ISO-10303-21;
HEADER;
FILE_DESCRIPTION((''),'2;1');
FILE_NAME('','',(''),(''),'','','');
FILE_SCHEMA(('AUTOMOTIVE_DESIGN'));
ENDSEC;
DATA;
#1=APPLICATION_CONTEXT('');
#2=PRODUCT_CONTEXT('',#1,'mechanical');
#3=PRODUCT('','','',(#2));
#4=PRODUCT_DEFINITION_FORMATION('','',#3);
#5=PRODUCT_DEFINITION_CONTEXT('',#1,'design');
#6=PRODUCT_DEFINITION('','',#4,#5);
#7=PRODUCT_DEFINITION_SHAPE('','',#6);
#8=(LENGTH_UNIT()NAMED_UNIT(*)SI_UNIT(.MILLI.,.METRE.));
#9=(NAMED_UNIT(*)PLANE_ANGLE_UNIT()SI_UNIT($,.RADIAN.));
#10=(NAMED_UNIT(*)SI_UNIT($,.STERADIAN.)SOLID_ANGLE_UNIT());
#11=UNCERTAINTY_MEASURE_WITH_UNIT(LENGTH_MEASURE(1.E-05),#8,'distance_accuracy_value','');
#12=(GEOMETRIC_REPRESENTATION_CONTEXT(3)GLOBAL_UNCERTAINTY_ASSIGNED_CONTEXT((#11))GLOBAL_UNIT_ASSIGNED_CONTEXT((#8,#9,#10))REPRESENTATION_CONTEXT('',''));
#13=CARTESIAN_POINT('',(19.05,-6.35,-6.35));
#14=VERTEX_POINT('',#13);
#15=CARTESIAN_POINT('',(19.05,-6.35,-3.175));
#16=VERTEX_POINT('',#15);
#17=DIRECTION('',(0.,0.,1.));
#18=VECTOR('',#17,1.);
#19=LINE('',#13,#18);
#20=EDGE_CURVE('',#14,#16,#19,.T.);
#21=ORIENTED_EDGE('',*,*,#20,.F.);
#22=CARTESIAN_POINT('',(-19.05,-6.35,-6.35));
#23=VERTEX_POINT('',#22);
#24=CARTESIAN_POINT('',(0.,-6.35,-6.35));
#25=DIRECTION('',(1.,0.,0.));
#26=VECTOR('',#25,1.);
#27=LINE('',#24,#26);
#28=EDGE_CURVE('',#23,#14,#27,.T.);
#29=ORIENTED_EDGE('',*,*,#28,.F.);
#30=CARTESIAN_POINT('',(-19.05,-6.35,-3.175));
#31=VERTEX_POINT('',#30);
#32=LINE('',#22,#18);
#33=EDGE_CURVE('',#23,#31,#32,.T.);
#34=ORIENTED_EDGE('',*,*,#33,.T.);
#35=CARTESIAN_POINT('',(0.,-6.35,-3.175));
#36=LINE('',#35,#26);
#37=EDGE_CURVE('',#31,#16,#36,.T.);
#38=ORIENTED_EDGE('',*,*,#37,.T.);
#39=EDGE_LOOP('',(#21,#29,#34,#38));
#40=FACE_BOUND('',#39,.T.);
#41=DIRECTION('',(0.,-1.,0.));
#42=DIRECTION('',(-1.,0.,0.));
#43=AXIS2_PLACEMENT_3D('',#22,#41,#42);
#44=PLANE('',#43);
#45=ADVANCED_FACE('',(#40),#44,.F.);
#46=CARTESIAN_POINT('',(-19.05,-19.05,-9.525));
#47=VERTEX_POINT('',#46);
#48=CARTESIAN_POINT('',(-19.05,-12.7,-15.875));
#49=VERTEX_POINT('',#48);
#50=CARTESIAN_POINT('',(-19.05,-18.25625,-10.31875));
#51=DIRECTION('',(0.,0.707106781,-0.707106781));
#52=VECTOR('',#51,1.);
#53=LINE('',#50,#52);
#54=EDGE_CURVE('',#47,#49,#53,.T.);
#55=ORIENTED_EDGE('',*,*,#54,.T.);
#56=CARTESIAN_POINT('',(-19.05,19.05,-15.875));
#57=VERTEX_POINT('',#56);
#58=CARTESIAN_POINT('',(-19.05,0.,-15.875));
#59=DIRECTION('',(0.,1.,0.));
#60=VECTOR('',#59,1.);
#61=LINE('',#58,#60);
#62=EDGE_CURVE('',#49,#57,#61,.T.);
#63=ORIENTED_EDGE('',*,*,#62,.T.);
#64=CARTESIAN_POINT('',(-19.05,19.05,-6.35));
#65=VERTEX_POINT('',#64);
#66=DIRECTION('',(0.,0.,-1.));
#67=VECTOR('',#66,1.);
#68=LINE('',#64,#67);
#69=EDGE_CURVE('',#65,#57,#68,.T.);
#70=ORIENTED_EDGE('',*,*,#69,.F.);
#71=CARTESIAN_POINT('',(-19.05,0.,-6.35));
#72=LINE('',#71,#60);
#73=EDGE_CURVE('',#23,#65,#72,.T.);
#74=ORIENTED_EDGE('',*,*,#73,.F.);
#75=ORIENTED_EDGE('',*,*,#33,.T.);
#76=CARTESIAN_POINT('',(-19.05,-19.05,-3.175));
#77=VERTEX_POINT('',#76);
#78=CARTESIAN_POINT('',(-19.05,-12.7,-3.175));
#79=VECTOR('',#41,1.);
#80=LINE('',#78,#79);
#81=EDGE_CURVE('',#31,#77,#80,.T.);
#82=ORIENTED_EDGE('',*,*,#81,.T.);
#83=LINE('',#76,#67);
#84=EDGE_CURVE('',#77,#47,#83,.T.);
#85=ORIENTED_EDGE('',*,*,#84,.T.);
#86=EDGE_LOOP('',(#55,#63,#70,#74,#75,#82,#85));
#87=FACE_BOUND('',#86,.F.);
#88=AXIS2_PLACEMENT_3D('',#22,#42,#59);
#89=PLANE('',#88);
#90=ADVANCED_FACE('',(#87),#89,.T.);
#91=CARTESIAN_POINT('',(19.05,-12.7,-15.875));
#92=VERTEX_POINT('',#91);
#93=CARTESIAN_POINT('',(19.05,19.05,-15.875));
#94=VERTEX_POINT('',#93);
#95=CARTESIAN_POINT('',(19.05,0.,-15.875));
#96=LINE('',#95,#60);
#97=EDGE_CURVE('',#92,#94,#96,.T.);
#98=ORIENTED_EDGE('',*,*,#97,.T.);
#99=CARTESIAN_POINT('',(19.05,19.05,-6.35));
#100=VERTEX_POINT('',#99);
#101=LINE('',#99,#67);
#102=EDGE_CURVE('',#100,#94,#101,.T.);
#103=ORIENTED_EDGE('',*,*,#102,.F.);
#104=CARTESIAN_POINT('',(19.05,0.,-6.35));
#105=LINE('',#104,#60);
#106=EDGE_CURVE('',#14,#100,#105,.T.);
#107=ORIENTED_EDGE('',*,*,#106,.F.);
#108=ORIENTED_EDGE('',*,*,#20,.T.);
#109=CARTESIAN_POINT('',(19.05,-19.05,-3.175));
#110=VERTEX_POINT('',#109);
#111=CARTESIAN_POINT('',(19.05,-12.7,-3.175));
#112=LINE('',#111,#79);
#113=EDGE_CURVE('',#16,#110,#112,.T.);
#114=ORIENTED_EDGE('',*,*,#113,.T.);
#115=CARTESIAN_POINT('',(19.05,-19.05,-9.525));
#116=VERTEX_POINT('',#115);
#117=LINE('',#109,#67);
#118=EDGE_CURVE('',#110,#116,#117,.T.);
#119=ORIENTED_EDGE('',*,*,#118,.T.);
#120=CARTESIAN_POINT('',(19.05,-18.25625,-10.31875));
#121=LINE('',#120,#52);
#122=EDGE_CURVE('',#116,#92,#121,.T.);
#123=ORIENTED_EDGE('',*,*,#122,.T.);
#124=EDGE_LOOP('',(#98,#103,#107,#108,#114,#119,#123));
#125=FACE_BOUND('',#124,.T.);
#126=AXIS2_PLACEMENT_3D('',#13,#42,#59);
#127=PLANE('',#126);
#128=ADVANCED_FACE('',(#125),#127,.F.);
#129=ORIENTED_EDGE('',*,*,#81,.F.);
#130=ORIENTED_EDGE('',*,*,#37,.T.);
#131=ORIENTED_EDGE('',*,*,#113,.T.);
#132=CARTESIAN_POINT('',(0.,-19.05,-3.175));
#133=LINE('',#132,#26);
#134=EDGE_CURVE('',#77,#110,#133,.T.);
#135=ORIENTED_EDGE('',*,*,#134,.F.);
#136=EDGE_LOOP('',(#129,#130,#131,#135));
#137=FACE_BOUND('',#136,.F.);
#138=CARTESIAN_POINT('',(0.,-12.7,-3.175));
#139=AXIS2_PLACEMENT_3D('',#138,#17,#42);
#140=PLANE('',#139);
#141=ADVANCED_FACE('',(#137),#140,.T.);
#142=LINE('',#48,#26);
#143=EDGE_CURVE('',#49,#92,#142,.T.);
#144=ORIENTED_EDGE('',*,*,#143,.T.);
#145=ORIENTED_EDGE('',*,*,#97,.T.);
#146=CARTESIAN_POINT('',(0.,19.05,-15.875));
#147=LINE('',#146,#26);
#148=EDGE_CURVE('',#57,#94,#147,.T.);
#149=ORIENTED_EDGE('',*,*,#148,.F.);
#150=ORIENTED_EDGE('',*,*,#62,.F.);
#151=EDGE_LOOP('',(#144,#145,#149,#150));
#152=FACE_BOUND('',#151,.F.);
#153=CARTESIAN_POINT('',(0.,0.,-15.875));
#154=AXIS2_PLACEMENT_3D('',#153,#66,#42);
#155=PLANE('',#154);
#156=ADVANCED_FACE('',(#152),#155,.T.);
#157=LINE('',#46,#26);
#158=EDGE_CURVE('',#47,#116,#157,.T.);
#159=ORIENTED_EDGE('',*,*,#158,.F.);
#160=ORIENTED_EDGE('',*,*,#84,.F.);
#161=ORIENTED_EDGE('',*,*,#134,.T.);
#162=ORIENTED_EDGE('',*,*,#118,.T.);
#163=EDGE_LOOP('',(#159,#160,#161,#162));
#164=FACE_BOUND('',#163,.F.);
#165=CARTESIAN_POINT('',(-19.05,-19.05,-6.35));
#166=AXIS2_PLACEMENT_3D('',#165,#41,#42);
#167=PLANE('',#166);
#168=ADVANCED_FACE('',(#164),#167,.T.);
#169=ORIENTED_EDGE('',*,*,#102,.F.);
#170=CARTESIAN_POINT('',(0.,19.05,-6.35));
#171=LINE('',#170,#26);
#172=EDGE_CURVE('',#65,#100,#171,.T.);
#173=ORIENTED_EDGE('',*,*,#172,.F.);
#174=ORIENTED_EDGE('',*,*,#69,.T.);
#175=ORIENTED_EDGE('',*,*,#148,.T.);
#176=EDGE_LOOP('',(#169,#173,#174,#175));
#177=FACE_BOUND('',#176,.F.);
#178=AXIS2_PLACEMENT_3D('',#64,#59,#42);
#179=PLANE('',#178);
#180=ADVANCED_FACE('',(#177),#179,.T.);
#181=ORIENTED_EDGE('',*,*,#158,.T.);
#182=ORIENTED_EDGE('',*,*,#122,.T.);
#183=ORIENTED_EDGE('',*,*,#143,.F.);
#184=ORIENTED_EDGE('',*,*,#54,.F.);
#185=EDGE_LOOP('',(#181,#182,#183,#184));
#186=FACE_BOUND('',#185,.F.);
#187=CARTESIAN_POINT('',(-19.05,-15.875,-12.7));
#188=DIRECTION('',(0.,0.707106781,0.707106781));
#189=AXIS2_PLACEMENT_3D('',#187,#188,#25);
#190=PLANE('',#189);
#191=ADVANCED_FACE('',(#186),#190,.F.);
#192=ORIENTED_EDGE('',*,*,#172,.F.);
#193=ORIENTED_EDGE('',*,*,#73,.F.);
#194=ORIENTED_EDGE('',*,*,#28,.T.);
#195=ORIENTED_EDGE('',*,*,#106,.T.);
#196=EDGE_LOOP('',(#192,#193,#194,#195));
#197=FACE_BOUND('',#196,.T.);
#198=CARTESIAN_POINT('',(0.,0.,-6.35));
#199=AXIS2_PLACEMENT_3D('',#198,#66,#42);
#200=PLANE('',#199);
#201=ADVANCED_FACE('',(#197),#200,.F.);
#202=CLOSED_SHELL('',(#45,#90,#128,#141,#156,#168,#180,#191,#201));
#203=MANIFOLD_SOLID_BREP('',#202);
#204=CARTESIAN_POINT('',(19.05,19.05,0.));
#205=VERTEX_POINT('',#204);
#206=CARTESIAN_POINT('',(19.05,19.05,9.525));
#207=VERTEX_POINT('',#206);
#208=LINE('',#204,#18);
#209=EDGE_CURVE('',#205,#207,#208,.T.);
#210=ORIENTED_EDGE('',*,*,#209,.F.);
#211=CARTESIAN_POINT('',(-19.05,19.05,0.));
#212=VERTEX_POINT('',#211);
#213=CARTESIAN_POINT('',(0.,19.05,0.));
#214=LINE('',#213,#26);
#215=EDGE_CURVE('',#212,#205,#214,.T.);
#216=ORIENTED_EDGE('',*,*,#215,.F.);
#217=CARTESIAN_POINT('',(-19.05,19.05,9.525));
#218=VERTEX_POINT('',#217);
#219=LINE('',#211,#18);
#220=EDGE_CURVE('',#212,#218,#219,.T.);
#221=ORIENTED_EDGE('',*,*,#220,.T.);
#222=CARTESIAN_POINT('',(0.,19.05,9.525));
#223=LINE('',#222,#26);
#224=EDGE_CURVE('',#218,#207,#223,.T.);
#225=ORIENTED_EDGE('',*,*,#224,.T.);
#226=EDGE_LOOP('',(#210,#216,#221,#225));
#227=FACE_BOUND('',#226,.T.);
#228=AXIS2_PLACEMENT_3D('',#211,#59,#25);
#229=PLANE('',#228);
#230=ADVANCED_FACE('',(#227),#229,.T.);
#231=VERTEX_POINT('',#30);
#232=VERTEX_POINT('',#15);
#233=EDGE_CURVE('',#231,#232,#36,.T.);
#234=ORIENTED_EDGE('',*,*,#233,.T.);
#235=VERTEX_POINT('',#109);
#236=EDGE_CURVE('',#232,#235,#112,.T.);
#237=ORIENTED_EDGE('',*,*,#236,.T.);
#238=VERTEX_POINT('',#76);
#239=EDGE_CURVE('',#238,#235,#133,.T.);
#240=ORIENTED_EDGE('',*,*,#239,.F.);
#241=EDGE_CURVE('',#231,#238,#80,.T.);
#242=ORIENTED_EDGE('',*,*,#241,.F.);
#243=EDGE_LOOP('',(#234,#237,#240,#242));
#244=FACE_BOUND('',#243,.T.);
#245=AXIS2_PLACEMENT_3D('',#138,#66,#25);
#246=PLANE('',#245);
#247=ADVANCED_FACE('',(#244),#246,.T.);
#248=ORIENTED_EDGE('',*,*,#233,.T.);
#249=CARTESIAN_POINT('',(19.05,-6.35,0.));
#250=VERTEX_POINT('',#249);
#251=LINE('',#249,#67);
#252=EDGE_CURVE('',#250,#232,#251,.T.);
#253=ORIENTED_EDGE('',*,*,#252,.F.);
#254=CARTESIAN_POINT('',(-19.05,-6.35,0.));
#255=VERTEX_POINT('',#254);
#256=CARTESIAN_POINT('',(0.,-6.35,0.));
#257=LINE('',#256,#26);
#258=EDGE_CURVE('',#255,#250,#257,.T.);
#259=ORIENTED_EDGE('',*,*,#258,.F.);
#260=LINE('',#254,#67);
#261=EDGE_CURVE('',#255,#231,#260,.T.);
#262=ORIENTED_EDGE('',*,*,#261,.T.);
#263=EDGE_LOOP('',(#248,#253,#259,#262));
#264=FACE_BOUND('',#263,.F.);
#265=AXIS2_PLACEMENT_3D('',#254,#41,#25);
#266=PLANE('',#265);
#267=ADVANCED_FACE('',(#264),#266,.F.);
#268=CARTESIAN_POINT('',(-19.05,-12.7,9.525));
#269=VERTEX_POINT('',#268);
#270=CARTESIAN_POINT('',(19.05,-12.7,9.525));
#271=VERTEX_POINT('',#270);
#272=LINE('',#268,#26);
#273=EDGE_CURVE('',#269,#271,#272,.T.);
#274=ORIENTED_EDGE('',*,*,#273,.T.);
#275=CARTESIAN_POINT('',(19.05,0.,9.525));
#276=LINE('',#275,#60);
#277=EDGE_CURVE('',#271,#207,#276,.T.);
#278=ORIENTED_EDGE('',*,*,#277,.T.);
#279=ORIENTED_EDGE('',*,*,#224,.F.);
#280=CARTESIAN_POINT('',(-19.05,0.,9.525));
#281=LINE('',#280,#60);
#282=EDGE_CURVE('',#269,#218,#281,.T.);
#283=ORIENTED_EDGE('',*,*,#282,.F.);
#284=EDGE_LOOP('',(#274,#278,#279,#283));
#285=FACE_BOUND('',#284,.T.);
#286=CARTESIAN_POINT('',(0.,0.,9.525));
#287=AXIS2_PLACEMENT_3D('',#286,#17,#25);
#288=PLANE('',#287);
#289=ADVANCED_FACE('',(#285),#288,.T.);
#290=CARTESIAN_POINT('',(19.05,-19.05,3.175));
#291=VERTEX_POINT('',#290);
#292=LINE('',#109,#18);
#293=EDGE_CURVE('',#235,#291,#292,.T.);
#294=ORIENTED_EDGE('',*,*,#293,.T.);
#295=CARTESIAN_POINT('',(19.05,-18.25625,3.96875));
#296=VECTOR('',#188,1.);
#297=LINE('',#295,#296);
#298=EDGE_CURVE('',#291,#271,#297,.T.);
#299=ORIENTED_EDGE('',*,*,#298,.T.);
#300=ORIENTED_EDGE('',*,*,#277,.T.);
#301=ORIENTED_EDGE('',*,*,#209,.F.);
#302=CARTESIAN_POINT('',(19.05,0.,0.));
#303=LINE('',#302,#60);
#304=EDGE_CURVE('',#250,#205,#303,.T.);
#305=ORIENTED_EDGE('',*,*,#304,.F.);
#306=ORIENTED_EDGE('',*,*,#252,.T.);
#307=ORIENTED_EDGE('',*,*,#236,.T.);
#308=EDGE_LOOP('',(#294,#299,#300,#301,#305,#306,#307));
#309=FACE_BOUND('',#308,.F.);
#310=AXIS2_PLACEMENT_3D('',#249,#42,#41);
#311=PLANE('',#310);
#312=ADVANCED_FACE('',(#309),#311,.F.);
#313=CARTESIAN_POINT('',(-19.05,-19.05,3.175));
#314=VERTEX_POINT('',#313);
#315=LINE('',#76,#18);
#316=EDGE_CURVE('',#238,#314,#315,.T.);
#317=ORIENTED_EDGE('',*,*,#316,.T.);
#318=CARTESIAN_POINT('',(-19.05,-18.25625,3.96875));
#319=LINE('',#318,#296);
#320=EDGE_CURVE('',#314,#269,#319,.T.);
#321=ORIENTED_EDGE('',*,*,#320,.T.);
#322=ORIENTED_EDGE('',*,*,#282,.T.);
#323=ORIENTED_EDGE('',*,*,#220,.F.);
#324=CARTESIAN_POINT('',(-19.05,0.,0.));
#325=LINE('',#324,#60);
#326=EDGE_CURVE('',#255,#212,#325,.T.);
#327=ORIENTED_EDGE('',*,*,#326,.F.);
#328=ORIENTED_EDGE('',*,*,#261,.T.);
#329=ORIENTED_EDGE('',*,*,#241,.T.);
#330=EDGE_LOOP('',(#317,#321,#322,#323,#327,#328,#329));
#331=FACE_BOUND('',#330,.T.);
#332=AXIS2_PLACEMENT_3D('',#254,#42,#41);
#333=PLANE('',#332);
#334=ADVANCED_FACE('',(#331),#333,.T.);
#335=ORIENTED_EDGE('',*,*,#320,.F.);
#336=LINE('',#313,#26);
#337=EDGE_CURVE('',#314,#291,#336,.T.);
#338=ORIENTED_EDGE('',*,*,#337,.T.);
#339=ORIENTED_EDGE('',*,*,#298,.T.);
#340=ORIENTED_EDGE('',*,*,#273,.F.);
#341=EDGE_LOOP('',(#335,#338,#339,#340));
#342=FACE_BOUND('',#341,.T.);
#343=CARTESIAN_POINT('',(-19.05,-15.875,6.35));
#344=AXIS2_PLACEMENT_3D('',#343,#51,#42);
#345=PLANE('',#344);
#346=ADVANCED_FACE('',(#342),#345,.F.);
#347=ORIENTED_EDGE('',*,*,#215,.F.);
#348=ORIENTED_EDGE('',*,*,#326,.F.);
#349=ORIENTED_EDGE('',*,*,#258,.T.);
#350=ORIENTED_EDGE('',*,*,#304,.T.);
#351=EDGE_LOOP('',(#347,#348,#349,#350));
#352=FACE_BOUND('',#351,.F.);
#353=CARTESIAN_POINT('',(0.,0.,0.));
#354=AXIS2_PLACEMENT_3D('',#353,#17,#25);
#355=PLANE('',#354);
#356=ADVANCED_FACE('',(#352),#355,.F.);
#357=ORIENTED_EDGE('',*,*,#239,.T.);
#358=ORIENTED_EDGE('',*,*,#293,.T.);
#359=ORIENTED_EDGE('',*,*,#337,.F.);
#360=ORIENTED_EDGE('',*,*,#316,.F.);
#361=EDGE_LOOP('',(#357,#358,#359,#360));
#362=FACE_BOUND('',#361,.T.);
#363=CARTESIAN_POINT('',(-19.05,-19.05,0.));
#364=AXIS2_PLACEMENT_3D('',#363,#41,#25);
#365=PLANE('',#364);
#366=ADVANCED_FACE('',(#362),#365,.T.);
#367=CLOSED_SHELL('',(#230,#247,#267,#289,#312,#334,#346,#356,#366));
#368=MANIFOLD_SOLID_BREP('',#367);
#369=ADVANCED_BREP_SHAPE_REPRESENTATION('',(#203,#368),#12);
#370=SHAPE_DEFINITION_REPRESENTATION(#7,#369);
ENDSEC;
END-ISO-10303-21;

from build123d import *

# Parameters (mm, degrees)
F0_W     = 38.1
F0_H     = 38.1
F1_DEPTH = 9.525
F2_SIZE  = 6.35
F3_W     = 38.1
F3_H     = 12.7
F4_DEPTH = 3.175


with BuildPart() as f1:
    # F0 (on Top) → F1 (new body)
    with BuildSketch(Plane.XY):
        Rectangle(F0_W, F0_H)
    extrude(amount=F1_DEPTH)

    # F2
    f2_edges = [f1.edges().sort_by_distance(p)[0] for p in [
        (0, -19.05, 9.525),
    ]]
    chamfer(f2_edges, length=F2_SIZE)

    # F3 (on face) → F4 (join)
    with BuildSketch(Plane(origin=(0, 0, 0), x_dir=(1, 0, 0), z_dir=(0, 0, -1))):
        with Locations((0, 12.7)):
            Rectangle(F3_W, F3_H)
    extrude(amount=F4_DEPTH)


with BuildPart() as f5_1:
    # F5: instance of F1
    add(f1.part.mirror(Plane(origin=(0, -12.7, -3.175), x_dir=(1, 0, 0), z_dir=(0, 0, -1))))


solid = Compound([f1.part, f5_1.part])
